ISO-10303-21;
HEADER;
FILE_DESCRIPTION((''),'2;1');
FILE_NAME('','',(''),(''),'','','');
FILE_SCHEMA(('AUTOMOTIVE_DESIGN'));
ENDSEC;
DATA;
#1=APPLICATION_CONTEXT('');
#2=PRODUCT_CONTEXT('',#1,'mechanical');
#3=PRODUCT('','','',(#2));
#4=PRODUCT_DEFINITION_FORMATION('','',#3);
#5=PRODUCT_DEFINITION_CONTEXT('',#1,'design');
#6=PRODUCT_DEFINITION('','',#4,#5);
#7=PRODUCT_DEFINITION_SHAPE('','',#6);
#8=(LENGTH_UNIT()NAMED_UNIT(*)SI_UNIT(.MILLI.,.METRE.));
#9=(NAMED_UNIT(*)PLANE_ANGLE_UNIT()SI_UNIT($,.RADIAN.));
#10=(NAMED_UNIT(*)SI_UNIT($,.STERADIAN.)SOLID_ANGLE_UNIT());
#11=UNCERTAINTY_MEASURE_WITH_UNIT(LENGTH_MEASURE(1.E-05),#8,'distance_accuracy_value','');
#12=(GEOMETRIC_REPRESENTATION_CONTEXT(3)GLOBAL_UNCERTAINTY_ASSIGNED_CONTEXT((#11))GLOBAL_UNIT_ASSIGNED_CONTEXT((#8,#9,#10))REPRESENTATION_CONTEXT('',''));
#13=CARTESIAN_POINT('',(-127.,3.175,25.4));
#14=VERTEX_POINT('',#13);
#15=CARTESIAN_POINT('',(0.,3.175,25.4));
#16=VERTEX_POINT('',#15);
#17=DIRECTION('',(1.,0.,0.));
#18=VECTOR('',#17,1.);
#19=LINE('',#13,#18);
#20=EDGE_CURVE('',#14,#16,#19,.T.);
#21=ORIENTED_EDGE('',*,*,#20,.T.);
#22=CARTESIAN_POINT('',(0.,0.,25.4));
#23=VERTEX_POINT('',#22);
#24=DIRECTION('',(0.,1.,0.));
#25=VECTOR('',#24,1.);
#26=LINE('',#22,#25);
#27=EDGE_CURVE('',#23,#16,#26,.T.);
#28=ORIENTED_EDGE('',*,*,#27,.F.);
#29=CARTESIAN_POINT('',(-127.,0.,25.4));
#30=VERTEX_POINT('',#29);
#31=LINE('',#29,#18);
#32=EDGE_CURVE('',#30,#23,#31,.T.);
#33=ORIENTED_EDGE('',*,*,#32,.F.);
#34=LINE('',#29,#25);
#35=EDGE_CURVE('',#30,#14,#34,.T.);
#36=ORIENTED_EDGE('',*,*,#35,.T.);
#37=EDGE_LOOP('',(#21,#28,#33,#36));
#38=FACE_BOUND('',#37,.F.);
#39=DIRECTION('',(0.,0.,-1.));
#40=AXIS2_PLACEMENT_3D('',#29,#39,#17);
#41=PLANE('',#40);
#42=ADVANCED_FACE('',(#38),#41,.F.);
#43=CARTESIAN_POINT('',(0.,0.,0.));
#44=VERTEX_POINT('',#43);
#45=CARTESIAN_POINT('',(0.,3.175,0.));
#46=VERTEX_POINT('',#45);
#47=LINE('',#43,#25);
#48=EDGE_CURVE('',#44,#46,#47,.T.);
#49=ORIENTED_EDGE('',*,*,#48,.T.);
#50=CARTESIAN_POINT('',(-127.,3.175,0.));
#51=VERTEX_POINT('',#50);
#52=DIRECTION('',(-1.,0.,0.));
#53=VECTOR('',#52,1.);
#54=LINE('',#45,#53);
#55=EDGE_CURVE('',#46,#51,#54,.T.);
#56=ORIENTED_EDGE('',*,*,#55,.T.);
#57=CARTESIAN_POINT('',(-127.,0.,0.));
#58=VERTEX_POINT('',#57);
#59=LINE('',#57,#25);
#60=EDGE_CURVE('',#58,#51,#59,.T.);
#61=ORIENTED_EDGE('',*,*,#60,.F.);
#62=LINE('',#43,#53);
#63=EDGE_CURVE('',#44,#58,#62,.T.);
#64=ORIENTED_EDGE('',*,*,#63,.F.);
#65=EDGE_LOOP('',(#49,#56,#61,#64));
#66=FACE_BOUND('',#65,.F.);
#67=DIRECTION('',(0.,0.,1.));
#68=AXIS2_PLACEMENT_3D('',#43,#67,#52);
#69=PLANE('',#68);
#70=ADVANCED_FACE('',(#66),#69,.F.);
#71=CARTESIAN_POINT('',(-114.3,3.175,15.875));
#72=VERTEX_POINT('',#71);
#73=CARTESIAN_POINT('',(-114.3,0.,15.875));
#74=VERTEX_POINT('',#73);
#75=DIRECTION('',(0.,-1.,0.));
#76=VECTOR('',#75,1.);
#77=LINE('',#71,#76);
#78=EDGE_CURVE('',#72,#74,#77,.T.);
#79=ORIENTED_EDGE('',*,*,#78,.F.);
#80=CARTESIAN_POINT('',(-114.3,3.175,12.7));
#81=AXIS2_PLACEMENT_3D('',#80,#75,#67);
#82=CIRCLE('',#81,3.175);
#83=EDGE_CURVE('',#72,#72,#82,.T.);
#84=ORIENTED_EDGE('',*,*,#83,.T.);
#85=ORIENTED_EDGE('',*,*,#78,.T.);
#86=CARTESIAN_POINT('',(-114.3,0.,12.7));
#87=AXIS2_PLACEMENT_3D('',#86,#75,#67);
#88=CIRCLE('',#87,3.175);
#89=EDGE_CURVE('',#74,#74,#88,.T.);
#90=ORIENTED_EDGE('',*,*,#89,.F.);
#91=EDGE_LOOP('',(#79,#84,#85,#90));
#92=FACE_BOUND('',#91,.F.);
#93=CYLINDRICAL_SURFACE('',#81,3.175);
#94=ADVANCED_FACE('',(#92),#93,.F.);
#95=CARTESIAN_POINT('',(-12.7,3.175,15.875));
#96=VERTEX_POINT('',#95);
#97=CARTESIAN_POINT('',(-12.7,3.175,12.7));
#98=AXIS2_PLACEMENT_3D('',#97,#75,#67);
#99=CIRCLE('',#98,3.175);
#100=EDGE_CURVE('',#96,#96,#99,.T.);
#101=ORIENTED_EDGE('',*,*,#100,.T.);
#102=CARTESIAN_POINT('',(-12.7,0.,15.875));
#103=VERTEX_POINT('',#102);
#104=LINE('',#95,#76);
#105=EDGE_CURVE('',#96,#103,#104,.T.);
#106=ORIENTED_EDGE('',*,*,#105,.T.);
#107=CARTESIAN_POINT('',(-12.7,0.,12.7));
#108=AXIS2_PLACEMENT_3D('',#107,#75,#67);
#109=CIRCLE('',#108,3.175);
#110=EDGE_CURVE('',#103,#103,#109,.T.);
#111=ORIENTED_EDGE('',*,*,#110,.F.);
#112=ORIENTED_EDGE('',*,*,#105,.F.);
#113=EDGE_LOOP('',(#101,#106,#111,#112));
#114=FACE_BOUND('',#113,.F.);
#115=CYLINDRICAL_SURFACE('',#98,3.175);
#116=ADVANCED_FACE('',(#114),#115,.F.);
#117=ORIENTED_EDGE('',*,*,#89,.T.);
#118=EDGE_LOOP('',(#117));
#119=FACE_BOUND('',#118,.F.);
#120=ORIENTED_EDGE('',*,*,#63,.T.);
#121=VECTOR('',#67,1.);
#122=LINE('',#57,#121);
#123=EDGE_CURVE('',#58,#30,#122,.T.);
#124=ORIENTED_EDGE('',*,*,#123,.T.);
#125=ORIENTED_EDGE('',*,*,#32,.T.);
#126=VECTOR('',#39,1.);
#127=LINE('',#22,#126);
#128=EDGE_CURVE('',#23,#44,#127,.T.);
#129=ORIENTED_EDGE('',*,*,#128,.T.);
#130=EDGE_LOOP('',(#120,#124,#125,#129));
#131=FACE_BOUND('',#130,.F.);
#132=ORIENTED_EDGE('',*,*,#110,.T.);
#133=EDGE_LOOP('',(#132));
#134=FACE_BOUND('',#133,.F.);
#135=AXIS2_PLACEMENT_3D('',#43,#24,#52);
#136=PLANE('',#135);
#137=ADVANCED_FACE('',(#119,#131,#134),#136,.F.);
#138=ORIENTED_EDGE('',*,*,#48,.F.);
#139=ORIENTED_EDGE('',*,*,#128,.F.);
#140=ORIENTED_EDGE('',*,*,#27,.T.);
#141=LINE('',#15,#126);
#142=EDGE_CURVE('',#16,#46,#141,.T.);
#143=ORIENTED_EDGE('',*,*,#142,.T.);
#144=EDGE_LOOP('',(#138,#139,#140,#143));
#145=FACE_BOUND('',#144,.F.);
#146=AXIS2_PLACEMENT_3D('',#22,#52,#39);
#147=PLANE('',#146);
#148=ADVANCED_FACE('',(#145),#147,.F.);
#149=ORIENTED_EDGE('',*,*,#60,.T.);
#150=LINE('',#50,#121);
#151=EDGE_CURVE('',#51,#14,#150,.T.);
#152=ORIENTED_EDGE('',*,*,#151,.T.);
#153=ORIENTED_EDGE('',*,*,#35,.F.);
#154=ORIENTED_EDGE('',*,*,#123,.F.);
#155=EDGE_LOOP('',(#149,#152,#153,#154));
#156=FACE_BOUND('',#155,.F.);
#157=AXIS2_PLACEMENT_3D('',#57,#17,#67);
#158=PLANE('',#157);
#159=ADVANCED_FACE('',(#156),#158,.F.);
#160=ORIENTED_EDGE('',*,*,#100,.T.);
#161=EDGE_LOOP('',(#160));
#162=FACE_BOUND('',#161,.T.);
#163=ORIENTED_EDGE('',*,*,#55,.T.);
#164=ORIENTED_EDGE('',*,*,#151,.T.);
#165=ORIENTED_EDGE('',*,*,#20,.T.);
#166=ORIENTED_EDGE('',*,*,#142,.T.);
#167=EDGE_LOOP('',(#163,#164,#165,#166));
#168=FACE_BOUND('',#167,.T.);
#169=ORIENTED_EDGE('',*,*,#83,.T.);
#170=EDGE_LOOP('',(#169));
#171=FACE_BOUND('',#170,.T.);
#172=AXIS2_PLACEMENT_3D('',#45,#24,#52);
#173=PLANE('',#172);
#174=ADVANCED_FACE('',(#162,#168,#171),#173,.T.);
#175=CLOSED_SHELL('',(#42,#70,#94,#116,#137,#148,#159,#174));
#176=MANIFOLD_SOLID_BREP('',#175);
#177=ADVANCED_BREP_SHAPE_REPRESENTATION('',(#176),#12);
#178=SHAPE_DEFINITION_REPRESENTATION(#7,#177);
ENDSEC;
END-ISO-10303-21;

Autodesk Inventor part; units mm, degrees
ref_plane "YZ Plane" through (0, 0, 0) normal (1, 0, 0) x (0, 1, 0)
ref_plane "XZ Plane" through (0, 0, 0) normal (0, 1, 0) x (-1, 0, 0)
ref_plane "XY Plane" through (0, 0, 0) normal (0, 0, 1) x (1, 0, 0)
sketch "Sketch1" plane through (0, 0, 0) normal (0, 1, 0) x (-1, 0, 0)
  line L0 (0, 0) -> (127, 0)
  line L1 (127, 0) -> (127, 25.4)
  line L2 (127, 25.4) -> (0, 25.4)
  line L3 (0, 25.4) -> (0, 0)
  dimension "d0" = 127
  dimension "d2" = 25.4
extrude "Extrusion1" add sketch "Sketch1" along normal blind 3.175
sketch "Sketch2" plane through (0, 3.175, 0) normal (0, 1, 0) x (1, 0, 0)
  line L0 (0, 0) -> (-127, 0) projected
  line L1 (-127, 0) -> (-127, -25.4) projected
  line L2 (0, -25.4) -> (0, 0) projected
  point P0 (-114.3, -12.7)
  point P1 (-12.7, -12.7)
  dimension "d5" = 12.7
  dimension "d6" = 12.7
  dimension "d7" = 12.7
  dimension "d8" = 12.7
hole "Hole1" at (-114.3, 3.175, 12.7) at (-12.7, 3.175, 12.7) direction (0, -1, 0) diameter 6.35 end through all
properties part number "Spacer$in" material "Aluminum 6061"
